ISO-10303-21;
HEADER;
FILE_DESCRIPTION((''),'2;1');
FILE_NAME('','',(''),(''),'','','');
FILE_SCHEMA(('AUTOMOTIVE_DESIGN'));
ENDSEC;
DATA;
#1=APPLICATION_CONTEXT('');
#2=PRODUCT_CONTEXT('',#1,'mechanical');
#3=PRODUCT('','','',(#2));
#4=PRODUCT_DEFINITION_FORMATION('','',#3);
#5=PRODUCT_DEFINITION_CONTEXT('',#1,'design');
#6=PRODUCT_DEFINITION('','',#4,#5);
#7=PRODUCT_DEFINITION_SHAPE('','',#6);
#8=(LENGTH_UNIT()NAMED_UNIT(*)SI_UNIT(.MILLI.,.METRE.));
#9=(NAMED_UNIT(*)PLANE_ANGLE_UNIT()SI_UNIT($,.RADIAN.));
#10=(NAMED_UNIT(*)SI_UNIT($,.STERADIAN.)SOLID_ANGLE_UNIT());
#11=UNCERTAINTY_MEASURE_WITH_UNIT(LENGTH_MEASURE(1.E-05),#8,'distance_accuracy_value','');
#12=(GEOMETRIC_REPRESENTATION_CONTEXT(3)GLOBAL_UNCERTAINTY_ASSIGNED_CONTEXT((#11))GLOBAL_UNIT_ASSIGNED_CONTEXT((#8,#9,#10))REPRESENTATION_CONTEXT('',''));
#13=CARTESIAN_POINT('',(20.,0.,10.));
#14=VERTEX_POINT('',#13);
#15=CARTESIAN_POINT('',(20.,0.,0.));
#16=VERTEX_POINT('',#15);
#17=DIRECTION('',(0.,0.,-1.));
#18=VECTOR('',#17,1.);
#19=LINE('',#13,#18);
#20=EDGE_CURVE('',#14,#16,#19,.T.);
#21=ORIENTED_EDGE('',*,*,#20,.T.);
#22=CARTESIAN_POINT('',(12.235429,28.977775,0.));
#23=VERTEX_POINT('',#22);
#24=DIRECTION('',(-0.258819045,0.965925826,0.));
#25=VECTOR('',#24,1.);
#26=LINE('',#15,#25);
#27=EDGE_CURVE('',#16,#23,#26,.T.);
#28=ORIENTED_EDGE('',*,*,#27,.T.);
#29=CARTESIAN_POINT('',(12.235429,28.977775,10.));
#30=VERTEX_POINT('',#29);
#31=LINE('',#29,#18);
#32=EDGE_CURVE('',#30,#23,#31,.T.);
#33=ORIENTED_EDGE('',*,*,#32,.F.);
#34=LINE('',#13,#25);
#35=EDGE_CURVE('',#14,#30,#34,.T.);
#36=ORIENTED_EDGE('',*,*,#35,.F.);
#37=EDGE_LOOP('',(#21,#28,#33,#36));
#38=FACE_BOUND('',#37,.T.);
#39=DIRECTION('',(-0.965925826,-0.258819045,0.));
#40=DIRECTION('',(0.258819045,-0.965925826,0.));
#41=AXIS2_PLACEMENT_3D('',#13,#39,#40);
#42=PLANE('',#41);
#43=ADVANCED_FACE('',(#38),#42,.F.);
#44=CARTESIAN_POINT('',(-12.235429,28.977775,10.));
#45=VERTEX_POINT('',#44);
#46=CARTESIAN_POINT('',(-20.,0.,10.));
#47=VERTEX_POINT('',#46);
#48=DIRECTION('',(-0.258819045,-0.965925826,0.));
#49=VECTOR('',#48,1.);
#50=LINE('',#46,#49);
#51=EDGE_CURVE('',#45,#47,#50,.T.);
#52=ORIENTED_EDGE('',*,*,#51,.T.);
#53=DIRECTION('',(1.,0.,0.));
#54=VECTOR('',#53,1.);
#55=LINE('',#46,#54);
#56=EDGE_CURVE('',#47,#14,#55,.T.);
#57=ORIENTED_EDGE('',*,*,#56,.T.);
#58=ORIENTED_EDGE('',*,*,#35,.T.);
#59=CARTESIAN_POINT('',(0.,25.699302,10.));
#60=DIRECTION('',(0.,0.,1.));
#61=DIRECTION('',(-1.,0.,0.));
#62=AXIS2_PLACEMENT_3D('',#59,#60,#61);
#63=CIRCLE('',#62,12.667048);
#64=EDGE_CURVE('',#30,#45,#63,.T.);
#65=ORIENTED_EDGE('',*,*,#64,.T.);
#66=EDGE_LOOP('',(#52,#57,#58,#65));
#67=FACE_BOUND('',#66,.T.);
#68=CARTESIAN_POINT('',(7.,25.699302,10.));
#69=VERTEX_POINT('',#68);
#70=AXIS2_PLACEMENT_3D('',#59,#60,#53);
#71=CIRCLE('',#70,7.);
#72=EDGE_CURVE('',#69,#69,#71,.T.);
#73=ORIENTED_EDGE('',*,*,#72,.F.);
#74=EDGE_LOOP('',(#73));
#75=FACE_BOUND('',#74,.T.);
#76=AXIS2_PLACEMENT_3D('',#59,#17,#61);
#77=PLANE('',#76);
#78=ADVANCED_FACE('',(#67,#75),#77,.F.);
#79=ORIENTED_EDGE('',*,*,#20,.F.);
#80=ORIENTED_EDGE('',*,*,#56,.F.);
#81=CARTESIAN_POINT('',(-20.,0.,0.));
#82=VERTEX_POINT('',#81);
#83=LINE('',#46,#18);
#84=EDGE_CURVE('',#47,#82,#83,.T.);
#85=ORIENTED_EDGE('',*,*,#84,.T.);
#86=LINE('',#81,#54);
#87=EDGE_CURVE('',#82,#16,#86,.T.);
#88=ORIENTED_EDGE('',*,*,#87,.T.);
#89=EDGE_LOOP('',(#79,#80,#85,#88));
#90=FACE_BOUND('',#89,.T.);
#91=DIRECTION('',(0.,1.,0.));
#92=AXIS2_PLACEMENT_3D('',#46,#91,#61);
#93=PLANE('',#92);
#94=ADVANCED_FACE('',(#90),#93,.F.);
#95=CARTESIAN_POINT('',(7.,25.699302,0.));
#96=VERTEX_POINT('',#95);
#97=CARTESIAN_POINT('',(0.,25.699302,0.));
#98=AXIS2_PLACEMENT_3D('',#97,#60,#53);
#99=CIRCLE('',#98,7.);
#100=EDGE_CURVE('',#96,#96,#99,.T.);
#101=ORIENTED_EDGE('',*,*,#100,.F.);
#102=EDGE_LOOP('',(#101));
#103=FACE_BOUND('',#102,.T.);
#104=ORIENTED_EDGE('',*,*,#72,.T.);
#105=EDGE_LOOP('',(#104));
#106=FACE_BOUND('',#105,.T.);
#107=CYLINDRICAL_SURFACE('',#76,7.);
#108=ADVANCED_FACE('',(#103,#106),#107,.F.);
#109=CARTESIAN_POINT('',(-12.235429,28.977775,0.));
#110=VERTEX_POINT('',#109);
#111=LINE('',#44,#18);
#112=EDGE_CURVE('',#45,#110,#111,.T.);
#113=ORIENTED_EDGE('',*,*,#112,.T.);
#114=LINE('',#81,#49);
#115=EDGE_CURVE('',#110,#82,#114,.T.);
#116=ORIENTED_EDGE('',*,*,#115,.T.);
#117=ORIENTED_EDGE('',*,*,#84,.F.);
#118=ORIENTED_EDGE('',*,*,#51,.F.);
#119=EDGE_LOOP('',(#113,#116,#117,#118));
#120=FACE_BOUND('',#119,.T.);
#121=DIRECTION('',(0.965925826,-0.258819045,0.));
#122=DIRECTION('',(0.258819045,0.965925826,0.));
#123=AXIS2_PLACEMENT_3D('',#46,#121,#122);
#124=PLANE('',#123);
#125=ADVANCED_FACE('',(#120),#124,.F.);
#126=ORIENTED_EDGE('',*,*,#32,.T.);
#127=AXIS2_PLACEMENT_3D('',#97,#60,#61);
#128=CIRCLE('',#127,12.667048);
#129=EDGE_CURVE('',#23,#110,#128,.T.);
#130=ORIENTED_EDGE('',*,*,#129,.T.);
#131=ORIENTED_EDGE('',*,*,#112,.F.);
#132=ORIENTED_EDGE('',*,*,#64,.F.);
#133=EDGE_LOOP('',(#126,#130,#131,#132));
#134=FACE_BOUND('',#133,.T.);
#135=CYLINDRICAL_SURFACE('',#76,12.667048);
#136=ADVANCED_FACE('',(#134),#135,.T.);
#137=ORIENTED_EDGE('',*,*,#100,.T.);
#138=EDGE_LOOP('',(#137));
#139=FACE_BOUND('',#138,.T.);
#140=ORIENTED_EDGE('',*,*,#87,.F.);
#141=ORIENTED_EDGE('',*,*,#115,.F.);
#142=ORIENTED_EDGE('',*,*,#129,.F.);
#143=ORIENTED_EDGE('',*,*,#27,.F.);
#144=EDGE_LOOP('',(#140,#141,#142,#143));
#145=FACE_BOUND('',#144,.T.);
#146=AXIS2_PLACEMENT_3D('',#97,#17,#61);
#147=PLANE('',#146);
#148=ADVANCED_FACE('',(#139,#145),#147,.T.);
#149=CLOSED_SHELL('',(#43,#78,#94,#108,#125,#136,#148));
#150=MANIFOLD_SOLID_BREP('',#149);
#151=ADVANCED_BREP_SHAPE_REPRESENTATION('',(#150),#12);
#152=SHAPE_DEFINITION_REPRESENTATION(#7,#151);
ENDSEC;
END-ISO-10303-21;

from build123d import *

# Parameters (mm, degrees)
EXTRUDE_1_DEPTH     = 10
SKETCH_2_R          = 7
CUT_EXTRUDE_1_DEPTH = 10


with BuildPart() as part:
    # 草图1 → 凸台-拉伸1 (new body)
    with BuildSketch(Plane.XY):
        with BuildLine():
            Line((-20, 0), (20, 0))
            Line((20, 0), (12.235428647, 28.977774789))
            ThreePointArc((12.235428647, 28.977774789), (0, 38.366349399), (-12.235428647, 28.977774789))
            Line((-12.235428647, 28.977774789), (-20, 0))
        make_face()
    extrude(amount=EXTRUDE_1_DEPTH)

    # 草图2 → 切除-拉伸1 (cut)
    with BuildSketch(Plane.XY):
        with Locations((0, 25.699301564)):
            Circle(SKETCH_2_R)
    extrude(amount=CUT_EXTRUDE_1_DEPTH, mode=Mode.SUBTRACT)


solid = part.part
